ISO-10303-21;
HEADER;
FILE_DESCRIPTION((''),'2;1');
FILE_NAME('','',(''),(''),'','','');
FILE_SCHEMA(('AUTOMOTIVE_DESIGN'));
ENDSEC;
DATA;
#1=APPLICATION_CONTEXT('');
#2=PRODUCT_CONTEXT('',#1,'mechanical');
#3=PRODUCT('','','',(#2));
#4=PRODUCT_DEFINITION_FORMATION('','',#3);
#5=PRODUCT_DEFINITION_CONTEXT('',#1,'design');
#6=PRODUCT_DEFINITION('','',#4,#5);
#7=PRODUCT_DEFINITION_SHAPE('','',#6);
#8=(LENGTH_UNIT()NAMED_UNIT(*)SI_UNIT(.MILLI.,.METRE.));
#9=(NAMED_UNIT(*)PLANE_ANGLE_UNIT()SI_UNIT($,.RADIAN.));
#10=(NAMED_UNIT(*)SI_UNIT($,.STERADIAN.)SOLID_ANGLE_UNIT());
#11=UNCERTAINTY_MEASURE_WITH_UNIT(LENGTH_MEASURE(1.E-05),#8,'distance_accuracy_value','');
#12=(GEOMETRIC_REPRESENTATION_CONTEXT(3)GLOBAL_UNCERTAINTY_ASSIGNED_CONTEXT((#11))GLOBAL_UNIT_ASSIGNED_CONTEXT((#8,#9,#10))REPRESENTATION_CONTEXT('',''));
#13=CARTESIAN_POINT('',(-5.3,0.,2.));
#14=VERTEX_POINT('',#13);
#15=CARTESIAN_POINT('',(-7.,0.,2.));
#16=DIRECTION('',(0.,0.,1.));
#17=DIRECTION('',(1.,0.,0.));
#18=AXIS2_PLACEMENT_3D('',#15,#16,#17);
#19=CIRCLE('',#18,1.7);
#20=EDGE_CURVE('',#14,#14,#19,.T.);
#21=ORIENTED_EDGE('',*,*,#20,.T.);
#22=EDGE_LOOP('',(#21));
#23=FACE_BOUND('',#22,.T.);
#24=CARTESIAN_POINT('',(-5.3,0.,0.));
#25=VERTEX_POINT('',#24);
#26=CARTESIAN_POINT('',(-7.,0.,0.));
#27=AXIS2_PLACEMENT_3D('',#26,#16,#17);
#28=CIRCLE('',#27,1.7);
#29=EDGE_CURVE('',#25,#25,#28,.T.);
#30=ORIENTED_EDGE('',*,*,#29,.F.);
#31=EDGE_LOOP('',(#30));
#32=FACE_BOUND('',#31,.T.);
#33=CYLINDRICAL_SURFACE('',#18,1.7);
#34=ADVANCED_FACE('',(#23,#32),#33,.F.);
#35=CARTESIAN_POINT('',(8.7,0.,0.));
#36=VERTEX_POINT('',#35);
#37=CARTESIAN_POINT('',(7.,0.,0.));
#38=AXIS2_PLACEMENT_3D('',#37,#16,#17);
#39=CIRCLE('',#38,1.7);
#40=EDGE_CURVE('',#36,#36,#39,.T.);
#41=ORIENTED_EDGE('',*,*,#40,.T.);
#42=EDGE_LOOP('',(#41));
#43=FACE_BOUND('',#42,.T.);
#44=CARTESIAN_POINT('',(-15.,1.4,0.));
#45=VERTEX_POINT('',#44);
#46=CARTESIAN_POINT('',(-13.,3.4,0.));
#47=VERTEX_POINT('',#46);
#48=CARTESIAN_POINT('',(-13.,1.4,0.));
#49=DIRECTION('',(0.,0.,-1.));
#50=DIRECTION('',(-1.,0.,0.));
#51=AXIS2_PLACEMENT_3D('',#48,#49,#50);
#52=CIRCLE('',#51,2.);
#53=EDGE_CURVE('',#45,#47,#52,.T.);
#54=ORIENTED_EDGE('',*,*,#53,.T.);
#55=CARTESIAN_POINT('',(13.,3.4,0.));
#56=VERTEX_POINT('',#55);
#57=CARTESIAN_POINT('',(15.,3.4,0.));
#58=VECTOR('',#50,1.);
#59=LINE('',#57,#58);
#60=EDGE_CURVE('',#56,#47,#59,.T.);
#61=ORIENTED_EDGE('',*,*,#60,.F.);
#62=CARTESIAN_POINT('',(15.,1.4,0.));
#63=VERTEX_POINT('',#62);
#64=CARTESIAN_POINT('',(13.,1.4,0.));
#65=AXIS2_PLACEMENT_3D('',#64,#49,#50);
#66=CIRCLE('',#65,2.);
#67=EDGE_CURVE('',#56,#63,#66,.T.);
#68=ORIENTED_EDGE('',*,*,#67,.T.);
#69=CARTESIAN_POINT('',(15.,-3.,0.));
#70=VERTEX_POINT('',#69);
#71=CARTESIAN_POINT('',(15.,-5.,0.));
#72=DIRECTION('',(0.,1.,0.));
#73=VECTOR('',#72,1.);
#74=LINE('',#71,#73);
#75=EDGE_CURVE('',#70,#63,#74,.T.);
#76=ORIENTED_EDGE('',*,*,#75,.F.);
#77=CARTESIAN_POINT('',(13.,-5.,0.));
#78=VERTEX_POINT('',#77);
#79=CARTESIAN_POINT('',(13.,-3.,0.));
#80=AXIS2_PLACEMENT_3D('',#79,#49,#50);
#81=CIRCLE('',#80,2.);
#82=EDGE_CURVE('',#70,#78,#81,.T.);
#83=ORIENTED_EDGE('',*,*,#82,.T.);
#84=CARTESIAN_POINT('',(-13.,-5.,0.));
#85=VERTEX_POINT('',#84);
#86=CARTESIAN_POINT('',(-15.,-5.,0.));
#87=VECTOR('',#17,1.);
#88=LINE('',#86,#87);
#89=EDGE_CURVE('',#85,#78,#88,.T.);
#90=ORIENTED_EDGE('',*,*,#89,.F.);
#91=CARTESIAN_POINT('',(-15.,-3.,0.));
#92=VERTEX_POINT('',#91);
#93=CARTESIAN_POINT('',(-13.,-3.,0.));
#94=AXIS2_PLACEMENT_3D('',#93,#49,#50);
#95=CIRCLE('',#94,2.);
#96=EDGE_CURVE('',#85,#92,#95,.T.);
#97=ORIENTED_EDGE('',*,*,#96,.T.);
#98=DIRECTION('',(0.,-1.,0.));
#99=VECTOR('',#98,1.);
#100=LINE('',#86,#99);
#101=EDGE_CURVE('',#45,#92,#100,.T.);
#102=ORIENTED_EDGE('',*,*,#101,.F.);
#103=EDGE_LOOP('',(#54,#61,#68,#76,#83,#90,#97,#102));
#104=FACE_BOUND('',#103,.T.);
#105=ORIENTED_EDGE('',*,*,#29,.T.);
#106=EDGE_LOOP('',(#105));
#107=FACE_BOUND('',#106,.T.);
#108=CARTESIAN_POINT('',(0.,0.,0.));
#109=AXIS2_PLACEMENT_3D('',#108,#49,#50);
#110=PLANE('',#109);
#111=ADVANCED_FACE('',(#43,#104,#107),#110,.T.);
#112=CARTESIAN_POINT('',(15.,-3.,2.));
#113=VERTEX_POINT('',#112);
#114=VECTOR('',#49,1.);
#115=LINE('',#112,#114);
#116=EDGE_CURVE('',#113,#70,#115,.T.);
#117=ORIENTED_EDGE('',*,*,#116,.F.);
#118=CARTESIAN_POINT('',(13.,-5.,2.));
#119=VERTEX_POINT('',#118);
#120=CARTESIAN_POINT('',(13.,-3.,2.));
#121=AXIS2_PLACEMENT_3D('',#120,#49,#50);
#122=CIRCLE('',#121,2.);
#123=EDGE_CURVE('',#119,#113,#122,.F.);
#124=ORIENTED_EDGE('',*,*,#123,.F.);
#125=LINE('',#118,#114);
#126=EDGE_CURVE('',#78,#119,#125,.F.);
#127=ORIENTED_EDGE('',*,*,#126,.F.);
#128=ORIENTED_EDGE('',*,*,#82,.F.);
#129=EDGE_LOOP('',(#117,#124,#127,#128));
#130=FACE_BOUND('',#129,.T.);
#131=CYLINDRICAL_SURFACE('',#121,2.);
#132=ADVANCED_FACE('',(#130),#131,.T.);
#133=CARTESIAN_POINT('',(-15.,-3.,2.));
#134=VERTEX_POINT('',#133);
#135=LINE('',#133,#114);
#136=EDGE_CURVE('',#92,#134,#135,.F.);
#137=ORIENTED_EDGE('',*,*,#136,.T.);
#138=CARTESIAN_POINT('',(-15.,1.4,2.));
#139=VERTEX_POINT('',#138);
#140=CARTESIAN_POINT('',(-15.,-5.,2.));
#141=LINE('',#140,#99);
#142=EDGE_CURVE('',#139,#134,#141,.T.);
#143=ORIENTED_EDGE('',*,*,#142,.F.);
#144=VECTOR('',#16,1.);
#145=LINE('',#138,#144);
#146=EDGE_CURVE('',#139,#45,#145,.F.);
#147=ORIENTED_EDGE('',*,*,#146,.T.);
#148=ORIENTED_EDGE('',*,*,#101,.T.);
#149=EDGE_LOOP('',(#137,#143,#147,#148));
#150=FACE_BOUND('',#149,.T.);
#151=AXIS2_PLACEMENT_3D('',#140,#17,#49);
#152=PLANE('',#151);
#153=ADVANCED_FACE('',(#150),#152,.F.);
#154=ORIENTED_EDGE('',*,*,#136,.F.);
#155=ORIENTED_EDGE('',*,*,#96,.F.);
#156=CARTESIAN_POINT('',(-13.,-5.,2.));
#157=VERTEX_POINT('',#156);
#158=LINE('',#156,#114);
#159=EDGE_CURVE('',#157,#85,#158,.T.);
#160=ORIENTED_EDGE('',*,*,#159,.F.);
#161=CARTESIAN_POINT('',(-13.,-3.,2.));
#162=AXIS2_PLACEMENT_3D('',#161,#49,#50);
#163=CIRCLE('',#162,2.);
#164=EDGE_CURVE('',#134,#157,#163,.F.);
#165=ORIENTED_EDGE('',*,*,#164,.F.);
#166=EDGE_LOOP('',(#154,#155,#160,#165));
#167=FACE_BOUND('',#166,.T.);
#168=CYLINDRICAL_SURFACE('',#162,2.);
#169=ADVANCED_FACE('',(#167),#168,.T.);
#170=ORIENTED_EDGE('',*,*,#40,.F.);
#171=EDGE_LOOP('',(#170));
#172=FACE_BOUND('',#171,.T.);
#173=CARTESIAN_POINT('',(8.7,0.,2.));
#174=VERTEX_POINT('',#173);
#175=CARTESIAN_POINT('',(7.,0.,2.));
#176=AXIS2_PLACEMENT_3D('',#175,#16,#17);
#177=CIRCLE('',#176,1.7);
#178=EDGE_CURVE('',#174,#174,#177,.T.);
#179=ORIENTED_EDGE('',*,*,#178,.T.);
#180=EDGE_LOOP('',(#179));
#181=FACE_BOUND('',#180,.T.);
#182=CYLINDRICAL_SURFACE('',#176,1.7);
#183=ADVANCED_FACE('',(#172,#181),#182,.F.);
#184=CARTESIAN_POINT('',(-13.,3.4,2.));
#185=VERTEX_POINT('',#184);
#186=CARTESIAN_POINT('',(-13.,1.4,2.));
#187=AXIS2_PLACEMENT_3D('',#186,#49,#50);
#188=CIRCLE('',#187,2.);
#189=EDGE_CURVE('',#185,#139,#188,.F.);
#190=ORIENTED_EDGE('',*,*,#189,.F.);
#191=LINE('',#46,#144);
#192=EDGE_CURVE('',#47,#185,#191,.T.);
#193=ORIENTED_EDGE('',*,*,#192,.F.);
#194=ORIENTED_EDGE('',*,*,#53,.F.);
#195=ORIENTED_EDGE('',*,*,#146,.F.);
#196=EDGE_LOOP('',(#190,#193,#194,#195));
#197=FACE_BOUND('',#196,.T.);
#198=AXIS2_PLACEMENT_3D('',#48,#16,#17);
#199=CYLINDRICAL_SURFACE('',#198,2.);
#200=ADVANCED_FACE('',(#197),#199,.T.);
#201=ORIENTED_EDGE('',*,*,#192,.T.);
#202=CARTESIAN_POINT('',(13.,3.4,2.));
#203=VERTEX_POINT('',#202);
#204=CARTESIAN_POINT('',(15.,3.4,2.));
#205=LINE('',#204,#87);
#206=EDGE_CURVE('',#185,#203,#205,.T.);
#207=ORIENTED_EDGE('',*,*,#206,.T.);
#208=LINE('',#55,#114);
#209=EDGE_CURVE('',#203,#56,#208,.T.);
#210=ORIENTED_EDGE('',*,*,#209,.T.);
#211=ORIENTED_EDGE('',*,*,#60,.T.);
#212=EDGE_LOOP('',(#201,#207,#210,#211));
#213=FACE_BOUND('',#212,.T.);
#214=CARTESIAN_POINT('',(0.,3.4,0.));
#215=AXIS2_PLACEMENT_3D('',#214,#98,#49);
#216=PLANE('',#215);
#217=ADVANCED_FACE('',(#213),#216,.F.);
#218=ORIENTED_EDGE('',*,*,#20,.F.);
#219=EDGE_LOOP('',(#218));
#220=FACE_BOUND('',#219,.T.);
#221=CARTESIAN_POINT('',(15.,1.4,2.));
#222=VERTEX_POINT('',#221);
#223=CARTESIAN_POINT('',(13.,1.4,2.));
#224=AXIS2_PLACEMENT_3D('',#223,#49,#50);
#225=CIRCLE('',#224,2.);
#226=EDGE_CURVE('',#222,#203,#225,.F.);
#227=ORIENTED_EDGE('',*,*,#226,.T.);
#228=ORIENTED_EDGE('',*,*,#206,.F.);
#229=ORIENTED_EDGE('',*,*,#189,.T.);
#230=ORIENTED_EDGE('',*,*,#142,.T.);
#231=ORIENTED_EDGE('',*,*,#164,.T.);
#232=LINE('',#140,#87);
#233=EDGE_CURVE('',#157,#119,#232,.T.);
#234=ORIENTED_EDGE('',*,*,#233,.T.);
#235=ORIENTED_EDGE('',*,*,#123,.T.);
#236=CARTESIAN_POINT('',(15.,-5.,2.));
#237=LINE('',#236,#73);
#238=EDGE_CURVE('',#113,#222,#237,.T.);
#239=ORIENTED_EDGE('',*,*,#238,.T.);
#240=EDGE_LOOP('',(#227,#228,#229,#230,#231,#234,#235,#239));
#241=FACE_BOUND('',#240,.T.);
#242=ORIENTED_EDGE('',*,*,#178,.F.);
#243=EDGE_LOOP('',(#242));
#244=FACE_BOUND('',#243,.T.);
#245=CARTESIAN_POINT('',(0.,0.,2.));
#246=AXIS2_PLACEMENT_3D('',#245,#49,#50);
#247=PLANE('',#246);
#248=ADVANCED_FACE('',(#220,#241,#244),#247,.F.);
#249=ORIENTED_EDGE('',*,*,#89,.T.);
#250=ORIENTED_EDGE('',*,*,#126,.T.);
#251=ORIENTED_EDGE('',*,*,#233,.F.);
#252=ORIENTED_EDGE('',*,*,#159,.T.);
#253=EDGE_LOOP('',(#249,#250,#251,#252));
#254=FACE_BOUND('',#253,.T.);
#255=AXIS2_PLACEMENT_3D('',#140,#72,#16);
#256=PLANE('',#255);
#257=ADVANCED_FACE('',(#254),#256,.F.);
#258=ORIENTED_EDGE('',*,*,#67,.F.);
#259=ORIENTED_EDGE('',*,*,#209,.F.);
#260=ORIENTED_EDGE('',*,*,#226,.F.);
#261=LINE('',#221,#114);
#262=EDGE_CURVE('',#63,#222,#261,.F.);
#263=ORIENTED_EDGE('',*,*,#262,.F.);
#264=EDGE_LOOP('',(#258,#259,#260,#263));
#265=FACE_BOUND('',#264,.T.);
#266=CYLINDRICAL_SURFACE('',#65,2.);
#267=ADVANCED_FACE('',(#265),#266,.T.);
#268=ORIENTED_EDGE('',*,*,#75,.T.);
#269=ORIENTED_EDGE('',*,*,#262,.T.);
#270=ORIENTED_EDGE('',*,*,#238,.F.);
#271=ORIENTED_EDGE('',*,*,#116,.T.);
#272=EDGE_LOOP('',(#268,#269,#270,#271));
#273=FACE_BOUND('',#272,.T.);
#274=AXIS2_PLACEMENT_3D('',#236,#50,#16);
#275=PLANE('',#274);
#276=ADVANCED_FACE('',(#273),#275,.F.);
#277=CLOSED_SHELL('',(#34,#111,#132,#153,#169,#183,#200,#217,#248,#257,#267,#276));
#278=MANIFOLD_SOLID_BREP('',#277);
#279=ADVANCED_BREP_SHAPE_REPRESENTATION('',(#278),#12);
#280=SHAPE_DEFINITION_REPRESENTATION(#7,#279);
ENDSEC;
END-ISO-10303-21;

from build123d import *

# Parameters (mm, degrees)
SKETCH1_W            = 30
SKETCH1_H            = 10
BOSS_EXTRUDE1_DEPTH  = 2
M3_CLEARANCE_HOLE1_D = 3.4
SKETCH5_W            = 30
SKETCH5_H            = 2
CUT_EXTRUDE1_DEPTH   = 1.6
FILLET1_R            = 2


with BuildPart() as part:
    # Sketch1 → Boss-Extrude1 (new body)
    with BuildSketch(Plane.XY):
        Rectangle(SKETCH1_W, SKETCH1_H)
    extrude(amount=BOSS_EXTRUDE1_DEPTH)

    # M3 Clearance Hole1 (through all)
    with Locations(Plane.XY.offset(2)):
        with Locations((-7, 0), (7, 0)):
            Hole(M3_CLEARANCE_HOLE1_D / 2)

    # Sketch5 → Cut-Extrude1 (cut)
    with BuildSketch(Plane(origin=(0, 5, 0), x_dir=(1, 0, 0), z_dir=(0, 1, 0))):
        with Locations((0, -1)):
            Rectangle(SKETCH5_W, SKETCH5_H)
    extrude(amount=-CUT_EXTRUDE1_DEPTH, mode=Mode.SUBTRACT)

    # Fillet1
    fillet1_edges = [part.edges().sort_by_distance(p)[0] for p in [
        (15, 3.4, 1),
        (-15, 3.4, 1),
        (15, -5, 1),
        (-15, -5, 1),
    ]]
    fillet(fillet1_edges, radius=FILLET1_R)


solid = part.part
